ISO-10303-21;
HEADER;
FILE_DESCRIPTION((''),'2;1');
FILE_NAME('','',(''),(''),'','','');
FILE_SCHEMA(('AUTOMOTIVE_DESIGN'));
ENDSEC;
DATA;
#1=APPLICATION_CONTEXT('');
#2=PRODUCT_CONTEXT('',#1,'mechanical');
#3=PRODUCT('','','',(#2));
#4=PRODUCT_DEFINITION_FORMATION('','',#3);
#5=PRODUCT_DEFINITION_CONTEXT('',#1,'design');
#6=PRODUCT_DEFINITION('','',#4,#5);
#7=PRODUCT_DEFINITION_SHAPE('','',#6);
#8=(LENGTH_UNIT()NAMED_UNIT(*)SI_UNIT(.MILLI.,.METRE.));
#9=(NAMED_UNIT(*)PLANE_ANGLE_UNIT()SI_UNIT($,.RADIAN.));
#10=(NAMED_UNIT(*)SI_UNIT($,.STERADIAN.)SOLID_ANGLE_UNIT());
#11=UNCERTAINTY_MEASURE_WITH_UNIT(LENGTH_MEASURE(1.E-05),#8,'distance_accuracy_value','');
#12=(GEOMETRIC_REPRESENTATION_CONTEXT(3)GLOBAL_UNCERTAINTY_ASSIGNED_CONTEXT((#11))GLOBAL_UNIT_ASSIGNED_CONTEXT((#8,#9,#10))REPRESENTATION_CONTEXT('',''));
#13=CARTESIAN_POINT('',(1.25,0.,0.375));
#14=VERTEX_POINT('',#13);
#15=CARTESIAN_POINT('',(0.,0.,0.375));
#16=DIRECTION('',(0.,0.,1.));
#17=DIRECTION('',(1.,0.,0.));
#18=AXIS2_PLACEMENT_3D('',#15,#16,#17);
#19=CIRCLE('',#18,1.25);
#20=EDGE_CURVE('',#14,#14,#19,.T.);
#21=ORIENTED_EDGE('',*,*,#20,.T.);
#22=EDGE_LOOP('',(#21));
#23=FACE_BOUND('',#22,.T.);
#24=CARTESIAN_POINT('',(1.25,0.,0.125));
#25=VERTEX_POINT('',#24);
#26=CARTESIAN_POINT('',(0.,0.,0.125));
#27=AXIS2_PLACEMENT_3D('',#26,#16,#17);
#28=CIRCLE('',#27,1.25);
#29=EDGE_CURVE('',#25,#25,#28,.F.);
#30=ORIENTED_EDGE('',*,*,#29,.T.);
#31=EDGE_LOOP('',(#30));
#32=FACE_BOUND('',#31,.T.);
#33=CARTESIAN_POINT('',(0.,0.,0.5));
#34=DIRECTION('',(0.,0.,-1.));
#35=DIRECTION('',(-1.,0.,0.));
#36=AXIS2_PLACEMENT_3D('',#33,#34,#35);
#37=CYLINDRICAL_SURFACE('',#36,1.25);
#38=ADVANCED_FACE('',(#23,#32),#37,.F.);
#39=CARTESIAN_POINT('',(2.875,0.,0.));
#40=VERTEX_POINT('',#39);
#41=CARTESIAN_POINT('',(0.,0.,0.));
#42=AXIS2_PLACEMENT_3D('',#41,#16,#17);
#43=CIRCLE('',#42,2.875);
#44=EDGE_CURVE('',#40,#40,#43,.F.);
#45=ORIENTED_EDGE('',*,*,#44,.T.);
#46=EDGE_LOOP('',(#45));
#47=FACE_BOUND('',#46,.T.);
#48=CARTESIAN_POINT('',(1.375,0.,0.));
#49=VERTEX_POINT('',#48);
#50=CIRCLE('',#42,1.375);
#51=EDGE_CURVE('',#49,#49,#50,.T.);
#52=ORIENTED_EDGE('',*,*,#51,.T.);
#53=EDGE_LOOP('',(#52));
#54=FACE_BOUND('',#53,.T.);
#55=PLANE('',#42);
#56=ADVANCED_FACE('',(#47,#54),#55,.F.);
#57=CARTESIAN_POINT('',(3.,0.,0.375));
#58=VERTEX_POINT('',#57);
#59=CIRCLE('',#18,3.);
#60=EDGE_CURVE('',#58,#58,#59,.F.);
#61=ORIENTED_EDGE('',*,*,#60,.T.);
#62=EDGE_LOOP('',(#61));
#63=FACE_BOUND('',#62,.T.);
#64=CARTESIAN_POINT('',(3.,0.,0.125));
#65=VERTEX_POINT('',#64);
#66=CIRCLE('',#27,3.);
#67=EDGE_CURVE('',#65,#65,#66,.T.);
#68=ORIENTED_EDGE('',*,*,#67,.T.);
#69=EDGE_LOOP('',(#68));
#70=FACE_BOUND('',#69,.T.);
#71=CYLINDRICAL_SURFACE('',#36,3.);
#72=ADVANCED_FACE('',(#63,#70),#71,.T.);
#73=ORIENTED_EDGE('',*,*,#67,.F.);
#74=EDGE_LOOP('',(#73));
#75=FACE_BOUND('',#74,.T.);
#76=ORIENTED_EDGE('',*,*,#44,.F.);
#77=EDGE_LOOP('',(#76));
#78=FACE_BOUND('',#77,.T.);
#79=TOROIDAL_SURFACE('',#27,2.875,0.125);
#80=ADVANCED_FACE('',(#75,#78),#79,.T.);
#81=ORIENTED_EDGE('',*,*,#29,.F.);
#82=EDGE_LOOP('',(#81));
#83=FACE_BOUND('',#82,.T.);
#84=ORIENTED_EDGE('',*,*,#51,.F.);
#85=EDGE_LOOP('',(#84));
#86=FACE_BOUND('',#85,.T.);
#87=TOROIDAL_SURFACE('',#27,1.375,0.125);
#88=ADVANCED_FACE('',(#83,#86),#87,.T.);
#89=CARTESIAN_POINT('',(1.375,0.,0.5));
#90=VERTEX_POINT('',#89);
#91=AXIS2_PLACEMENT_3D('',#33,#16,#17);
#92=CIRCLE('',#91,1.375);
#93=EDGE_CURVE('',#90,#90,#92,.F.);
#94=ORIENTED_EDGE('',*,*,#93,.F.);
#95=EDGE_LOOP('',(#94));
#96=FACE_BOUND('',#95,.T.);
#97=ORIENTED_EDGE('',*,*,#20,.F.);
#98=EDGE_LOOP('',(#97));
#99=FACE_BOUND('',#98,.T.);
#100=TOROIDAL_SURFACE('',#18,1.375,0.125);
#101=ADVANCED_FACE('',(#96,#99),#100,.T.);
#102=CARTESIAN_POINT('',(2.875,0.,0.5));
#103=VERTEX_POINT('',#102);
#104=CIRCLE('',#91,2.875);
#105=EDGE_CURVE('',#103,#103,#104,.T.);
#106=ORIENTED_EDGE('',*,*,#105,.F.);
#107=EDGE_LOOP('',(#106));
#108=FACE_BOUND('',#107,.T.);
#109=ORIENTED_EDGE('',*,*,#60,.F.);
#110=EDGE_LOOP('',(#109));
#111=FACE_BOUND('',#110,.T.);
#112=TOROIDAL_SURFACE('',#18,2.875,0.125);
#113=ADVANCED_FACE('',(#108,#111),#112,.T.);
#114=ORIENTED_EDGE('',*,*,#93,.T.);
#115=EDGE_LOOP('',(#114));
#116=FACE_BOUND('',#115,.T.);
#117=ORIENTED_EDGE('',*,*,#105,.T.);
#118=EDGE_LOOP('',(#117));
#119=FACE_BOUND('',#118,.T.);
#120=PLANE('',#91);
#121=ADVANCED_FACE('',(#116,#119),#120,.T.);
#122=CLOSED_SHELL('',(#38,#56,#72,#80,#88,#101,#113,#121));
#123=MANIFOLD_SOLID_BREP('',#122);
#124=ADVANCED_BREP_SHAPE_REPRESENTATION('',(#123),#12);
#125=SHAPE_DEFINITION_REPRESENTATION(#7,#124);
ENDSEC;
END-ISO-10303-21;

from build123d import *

# Parameters (mm, degrees)
SKETCH1_R           = 3
SKETCH1_R_2         = 1.25
BOSS_EXTRUDE1_DEPTH = 0.5
FILLET1_R           = 0.125


with BuildPart() as part:
    # Sketch1 → Boss-Extrude1 (new body)
    with BuildSketch(Plane.XY):
        Circle(SKETCH1_R)
        Circle(SKETCH1_R_2, mode=Mode.SUBTRACT)
    extrude(amount=BOSS_EXTRUDE1_DEPTH)

    # Fillet1
    fillet1_edges = [part.edges().sort_by_distance(p)[0] for p in [
        (-3, 0, 0),
        (-3, 0, 0.5),
        (-1.25, 0, 0),
        (-1.25, 0, 0.5),
    ]]
    fillet(fillet1_edges, radius=FILLET1_R)


solid = part.part
